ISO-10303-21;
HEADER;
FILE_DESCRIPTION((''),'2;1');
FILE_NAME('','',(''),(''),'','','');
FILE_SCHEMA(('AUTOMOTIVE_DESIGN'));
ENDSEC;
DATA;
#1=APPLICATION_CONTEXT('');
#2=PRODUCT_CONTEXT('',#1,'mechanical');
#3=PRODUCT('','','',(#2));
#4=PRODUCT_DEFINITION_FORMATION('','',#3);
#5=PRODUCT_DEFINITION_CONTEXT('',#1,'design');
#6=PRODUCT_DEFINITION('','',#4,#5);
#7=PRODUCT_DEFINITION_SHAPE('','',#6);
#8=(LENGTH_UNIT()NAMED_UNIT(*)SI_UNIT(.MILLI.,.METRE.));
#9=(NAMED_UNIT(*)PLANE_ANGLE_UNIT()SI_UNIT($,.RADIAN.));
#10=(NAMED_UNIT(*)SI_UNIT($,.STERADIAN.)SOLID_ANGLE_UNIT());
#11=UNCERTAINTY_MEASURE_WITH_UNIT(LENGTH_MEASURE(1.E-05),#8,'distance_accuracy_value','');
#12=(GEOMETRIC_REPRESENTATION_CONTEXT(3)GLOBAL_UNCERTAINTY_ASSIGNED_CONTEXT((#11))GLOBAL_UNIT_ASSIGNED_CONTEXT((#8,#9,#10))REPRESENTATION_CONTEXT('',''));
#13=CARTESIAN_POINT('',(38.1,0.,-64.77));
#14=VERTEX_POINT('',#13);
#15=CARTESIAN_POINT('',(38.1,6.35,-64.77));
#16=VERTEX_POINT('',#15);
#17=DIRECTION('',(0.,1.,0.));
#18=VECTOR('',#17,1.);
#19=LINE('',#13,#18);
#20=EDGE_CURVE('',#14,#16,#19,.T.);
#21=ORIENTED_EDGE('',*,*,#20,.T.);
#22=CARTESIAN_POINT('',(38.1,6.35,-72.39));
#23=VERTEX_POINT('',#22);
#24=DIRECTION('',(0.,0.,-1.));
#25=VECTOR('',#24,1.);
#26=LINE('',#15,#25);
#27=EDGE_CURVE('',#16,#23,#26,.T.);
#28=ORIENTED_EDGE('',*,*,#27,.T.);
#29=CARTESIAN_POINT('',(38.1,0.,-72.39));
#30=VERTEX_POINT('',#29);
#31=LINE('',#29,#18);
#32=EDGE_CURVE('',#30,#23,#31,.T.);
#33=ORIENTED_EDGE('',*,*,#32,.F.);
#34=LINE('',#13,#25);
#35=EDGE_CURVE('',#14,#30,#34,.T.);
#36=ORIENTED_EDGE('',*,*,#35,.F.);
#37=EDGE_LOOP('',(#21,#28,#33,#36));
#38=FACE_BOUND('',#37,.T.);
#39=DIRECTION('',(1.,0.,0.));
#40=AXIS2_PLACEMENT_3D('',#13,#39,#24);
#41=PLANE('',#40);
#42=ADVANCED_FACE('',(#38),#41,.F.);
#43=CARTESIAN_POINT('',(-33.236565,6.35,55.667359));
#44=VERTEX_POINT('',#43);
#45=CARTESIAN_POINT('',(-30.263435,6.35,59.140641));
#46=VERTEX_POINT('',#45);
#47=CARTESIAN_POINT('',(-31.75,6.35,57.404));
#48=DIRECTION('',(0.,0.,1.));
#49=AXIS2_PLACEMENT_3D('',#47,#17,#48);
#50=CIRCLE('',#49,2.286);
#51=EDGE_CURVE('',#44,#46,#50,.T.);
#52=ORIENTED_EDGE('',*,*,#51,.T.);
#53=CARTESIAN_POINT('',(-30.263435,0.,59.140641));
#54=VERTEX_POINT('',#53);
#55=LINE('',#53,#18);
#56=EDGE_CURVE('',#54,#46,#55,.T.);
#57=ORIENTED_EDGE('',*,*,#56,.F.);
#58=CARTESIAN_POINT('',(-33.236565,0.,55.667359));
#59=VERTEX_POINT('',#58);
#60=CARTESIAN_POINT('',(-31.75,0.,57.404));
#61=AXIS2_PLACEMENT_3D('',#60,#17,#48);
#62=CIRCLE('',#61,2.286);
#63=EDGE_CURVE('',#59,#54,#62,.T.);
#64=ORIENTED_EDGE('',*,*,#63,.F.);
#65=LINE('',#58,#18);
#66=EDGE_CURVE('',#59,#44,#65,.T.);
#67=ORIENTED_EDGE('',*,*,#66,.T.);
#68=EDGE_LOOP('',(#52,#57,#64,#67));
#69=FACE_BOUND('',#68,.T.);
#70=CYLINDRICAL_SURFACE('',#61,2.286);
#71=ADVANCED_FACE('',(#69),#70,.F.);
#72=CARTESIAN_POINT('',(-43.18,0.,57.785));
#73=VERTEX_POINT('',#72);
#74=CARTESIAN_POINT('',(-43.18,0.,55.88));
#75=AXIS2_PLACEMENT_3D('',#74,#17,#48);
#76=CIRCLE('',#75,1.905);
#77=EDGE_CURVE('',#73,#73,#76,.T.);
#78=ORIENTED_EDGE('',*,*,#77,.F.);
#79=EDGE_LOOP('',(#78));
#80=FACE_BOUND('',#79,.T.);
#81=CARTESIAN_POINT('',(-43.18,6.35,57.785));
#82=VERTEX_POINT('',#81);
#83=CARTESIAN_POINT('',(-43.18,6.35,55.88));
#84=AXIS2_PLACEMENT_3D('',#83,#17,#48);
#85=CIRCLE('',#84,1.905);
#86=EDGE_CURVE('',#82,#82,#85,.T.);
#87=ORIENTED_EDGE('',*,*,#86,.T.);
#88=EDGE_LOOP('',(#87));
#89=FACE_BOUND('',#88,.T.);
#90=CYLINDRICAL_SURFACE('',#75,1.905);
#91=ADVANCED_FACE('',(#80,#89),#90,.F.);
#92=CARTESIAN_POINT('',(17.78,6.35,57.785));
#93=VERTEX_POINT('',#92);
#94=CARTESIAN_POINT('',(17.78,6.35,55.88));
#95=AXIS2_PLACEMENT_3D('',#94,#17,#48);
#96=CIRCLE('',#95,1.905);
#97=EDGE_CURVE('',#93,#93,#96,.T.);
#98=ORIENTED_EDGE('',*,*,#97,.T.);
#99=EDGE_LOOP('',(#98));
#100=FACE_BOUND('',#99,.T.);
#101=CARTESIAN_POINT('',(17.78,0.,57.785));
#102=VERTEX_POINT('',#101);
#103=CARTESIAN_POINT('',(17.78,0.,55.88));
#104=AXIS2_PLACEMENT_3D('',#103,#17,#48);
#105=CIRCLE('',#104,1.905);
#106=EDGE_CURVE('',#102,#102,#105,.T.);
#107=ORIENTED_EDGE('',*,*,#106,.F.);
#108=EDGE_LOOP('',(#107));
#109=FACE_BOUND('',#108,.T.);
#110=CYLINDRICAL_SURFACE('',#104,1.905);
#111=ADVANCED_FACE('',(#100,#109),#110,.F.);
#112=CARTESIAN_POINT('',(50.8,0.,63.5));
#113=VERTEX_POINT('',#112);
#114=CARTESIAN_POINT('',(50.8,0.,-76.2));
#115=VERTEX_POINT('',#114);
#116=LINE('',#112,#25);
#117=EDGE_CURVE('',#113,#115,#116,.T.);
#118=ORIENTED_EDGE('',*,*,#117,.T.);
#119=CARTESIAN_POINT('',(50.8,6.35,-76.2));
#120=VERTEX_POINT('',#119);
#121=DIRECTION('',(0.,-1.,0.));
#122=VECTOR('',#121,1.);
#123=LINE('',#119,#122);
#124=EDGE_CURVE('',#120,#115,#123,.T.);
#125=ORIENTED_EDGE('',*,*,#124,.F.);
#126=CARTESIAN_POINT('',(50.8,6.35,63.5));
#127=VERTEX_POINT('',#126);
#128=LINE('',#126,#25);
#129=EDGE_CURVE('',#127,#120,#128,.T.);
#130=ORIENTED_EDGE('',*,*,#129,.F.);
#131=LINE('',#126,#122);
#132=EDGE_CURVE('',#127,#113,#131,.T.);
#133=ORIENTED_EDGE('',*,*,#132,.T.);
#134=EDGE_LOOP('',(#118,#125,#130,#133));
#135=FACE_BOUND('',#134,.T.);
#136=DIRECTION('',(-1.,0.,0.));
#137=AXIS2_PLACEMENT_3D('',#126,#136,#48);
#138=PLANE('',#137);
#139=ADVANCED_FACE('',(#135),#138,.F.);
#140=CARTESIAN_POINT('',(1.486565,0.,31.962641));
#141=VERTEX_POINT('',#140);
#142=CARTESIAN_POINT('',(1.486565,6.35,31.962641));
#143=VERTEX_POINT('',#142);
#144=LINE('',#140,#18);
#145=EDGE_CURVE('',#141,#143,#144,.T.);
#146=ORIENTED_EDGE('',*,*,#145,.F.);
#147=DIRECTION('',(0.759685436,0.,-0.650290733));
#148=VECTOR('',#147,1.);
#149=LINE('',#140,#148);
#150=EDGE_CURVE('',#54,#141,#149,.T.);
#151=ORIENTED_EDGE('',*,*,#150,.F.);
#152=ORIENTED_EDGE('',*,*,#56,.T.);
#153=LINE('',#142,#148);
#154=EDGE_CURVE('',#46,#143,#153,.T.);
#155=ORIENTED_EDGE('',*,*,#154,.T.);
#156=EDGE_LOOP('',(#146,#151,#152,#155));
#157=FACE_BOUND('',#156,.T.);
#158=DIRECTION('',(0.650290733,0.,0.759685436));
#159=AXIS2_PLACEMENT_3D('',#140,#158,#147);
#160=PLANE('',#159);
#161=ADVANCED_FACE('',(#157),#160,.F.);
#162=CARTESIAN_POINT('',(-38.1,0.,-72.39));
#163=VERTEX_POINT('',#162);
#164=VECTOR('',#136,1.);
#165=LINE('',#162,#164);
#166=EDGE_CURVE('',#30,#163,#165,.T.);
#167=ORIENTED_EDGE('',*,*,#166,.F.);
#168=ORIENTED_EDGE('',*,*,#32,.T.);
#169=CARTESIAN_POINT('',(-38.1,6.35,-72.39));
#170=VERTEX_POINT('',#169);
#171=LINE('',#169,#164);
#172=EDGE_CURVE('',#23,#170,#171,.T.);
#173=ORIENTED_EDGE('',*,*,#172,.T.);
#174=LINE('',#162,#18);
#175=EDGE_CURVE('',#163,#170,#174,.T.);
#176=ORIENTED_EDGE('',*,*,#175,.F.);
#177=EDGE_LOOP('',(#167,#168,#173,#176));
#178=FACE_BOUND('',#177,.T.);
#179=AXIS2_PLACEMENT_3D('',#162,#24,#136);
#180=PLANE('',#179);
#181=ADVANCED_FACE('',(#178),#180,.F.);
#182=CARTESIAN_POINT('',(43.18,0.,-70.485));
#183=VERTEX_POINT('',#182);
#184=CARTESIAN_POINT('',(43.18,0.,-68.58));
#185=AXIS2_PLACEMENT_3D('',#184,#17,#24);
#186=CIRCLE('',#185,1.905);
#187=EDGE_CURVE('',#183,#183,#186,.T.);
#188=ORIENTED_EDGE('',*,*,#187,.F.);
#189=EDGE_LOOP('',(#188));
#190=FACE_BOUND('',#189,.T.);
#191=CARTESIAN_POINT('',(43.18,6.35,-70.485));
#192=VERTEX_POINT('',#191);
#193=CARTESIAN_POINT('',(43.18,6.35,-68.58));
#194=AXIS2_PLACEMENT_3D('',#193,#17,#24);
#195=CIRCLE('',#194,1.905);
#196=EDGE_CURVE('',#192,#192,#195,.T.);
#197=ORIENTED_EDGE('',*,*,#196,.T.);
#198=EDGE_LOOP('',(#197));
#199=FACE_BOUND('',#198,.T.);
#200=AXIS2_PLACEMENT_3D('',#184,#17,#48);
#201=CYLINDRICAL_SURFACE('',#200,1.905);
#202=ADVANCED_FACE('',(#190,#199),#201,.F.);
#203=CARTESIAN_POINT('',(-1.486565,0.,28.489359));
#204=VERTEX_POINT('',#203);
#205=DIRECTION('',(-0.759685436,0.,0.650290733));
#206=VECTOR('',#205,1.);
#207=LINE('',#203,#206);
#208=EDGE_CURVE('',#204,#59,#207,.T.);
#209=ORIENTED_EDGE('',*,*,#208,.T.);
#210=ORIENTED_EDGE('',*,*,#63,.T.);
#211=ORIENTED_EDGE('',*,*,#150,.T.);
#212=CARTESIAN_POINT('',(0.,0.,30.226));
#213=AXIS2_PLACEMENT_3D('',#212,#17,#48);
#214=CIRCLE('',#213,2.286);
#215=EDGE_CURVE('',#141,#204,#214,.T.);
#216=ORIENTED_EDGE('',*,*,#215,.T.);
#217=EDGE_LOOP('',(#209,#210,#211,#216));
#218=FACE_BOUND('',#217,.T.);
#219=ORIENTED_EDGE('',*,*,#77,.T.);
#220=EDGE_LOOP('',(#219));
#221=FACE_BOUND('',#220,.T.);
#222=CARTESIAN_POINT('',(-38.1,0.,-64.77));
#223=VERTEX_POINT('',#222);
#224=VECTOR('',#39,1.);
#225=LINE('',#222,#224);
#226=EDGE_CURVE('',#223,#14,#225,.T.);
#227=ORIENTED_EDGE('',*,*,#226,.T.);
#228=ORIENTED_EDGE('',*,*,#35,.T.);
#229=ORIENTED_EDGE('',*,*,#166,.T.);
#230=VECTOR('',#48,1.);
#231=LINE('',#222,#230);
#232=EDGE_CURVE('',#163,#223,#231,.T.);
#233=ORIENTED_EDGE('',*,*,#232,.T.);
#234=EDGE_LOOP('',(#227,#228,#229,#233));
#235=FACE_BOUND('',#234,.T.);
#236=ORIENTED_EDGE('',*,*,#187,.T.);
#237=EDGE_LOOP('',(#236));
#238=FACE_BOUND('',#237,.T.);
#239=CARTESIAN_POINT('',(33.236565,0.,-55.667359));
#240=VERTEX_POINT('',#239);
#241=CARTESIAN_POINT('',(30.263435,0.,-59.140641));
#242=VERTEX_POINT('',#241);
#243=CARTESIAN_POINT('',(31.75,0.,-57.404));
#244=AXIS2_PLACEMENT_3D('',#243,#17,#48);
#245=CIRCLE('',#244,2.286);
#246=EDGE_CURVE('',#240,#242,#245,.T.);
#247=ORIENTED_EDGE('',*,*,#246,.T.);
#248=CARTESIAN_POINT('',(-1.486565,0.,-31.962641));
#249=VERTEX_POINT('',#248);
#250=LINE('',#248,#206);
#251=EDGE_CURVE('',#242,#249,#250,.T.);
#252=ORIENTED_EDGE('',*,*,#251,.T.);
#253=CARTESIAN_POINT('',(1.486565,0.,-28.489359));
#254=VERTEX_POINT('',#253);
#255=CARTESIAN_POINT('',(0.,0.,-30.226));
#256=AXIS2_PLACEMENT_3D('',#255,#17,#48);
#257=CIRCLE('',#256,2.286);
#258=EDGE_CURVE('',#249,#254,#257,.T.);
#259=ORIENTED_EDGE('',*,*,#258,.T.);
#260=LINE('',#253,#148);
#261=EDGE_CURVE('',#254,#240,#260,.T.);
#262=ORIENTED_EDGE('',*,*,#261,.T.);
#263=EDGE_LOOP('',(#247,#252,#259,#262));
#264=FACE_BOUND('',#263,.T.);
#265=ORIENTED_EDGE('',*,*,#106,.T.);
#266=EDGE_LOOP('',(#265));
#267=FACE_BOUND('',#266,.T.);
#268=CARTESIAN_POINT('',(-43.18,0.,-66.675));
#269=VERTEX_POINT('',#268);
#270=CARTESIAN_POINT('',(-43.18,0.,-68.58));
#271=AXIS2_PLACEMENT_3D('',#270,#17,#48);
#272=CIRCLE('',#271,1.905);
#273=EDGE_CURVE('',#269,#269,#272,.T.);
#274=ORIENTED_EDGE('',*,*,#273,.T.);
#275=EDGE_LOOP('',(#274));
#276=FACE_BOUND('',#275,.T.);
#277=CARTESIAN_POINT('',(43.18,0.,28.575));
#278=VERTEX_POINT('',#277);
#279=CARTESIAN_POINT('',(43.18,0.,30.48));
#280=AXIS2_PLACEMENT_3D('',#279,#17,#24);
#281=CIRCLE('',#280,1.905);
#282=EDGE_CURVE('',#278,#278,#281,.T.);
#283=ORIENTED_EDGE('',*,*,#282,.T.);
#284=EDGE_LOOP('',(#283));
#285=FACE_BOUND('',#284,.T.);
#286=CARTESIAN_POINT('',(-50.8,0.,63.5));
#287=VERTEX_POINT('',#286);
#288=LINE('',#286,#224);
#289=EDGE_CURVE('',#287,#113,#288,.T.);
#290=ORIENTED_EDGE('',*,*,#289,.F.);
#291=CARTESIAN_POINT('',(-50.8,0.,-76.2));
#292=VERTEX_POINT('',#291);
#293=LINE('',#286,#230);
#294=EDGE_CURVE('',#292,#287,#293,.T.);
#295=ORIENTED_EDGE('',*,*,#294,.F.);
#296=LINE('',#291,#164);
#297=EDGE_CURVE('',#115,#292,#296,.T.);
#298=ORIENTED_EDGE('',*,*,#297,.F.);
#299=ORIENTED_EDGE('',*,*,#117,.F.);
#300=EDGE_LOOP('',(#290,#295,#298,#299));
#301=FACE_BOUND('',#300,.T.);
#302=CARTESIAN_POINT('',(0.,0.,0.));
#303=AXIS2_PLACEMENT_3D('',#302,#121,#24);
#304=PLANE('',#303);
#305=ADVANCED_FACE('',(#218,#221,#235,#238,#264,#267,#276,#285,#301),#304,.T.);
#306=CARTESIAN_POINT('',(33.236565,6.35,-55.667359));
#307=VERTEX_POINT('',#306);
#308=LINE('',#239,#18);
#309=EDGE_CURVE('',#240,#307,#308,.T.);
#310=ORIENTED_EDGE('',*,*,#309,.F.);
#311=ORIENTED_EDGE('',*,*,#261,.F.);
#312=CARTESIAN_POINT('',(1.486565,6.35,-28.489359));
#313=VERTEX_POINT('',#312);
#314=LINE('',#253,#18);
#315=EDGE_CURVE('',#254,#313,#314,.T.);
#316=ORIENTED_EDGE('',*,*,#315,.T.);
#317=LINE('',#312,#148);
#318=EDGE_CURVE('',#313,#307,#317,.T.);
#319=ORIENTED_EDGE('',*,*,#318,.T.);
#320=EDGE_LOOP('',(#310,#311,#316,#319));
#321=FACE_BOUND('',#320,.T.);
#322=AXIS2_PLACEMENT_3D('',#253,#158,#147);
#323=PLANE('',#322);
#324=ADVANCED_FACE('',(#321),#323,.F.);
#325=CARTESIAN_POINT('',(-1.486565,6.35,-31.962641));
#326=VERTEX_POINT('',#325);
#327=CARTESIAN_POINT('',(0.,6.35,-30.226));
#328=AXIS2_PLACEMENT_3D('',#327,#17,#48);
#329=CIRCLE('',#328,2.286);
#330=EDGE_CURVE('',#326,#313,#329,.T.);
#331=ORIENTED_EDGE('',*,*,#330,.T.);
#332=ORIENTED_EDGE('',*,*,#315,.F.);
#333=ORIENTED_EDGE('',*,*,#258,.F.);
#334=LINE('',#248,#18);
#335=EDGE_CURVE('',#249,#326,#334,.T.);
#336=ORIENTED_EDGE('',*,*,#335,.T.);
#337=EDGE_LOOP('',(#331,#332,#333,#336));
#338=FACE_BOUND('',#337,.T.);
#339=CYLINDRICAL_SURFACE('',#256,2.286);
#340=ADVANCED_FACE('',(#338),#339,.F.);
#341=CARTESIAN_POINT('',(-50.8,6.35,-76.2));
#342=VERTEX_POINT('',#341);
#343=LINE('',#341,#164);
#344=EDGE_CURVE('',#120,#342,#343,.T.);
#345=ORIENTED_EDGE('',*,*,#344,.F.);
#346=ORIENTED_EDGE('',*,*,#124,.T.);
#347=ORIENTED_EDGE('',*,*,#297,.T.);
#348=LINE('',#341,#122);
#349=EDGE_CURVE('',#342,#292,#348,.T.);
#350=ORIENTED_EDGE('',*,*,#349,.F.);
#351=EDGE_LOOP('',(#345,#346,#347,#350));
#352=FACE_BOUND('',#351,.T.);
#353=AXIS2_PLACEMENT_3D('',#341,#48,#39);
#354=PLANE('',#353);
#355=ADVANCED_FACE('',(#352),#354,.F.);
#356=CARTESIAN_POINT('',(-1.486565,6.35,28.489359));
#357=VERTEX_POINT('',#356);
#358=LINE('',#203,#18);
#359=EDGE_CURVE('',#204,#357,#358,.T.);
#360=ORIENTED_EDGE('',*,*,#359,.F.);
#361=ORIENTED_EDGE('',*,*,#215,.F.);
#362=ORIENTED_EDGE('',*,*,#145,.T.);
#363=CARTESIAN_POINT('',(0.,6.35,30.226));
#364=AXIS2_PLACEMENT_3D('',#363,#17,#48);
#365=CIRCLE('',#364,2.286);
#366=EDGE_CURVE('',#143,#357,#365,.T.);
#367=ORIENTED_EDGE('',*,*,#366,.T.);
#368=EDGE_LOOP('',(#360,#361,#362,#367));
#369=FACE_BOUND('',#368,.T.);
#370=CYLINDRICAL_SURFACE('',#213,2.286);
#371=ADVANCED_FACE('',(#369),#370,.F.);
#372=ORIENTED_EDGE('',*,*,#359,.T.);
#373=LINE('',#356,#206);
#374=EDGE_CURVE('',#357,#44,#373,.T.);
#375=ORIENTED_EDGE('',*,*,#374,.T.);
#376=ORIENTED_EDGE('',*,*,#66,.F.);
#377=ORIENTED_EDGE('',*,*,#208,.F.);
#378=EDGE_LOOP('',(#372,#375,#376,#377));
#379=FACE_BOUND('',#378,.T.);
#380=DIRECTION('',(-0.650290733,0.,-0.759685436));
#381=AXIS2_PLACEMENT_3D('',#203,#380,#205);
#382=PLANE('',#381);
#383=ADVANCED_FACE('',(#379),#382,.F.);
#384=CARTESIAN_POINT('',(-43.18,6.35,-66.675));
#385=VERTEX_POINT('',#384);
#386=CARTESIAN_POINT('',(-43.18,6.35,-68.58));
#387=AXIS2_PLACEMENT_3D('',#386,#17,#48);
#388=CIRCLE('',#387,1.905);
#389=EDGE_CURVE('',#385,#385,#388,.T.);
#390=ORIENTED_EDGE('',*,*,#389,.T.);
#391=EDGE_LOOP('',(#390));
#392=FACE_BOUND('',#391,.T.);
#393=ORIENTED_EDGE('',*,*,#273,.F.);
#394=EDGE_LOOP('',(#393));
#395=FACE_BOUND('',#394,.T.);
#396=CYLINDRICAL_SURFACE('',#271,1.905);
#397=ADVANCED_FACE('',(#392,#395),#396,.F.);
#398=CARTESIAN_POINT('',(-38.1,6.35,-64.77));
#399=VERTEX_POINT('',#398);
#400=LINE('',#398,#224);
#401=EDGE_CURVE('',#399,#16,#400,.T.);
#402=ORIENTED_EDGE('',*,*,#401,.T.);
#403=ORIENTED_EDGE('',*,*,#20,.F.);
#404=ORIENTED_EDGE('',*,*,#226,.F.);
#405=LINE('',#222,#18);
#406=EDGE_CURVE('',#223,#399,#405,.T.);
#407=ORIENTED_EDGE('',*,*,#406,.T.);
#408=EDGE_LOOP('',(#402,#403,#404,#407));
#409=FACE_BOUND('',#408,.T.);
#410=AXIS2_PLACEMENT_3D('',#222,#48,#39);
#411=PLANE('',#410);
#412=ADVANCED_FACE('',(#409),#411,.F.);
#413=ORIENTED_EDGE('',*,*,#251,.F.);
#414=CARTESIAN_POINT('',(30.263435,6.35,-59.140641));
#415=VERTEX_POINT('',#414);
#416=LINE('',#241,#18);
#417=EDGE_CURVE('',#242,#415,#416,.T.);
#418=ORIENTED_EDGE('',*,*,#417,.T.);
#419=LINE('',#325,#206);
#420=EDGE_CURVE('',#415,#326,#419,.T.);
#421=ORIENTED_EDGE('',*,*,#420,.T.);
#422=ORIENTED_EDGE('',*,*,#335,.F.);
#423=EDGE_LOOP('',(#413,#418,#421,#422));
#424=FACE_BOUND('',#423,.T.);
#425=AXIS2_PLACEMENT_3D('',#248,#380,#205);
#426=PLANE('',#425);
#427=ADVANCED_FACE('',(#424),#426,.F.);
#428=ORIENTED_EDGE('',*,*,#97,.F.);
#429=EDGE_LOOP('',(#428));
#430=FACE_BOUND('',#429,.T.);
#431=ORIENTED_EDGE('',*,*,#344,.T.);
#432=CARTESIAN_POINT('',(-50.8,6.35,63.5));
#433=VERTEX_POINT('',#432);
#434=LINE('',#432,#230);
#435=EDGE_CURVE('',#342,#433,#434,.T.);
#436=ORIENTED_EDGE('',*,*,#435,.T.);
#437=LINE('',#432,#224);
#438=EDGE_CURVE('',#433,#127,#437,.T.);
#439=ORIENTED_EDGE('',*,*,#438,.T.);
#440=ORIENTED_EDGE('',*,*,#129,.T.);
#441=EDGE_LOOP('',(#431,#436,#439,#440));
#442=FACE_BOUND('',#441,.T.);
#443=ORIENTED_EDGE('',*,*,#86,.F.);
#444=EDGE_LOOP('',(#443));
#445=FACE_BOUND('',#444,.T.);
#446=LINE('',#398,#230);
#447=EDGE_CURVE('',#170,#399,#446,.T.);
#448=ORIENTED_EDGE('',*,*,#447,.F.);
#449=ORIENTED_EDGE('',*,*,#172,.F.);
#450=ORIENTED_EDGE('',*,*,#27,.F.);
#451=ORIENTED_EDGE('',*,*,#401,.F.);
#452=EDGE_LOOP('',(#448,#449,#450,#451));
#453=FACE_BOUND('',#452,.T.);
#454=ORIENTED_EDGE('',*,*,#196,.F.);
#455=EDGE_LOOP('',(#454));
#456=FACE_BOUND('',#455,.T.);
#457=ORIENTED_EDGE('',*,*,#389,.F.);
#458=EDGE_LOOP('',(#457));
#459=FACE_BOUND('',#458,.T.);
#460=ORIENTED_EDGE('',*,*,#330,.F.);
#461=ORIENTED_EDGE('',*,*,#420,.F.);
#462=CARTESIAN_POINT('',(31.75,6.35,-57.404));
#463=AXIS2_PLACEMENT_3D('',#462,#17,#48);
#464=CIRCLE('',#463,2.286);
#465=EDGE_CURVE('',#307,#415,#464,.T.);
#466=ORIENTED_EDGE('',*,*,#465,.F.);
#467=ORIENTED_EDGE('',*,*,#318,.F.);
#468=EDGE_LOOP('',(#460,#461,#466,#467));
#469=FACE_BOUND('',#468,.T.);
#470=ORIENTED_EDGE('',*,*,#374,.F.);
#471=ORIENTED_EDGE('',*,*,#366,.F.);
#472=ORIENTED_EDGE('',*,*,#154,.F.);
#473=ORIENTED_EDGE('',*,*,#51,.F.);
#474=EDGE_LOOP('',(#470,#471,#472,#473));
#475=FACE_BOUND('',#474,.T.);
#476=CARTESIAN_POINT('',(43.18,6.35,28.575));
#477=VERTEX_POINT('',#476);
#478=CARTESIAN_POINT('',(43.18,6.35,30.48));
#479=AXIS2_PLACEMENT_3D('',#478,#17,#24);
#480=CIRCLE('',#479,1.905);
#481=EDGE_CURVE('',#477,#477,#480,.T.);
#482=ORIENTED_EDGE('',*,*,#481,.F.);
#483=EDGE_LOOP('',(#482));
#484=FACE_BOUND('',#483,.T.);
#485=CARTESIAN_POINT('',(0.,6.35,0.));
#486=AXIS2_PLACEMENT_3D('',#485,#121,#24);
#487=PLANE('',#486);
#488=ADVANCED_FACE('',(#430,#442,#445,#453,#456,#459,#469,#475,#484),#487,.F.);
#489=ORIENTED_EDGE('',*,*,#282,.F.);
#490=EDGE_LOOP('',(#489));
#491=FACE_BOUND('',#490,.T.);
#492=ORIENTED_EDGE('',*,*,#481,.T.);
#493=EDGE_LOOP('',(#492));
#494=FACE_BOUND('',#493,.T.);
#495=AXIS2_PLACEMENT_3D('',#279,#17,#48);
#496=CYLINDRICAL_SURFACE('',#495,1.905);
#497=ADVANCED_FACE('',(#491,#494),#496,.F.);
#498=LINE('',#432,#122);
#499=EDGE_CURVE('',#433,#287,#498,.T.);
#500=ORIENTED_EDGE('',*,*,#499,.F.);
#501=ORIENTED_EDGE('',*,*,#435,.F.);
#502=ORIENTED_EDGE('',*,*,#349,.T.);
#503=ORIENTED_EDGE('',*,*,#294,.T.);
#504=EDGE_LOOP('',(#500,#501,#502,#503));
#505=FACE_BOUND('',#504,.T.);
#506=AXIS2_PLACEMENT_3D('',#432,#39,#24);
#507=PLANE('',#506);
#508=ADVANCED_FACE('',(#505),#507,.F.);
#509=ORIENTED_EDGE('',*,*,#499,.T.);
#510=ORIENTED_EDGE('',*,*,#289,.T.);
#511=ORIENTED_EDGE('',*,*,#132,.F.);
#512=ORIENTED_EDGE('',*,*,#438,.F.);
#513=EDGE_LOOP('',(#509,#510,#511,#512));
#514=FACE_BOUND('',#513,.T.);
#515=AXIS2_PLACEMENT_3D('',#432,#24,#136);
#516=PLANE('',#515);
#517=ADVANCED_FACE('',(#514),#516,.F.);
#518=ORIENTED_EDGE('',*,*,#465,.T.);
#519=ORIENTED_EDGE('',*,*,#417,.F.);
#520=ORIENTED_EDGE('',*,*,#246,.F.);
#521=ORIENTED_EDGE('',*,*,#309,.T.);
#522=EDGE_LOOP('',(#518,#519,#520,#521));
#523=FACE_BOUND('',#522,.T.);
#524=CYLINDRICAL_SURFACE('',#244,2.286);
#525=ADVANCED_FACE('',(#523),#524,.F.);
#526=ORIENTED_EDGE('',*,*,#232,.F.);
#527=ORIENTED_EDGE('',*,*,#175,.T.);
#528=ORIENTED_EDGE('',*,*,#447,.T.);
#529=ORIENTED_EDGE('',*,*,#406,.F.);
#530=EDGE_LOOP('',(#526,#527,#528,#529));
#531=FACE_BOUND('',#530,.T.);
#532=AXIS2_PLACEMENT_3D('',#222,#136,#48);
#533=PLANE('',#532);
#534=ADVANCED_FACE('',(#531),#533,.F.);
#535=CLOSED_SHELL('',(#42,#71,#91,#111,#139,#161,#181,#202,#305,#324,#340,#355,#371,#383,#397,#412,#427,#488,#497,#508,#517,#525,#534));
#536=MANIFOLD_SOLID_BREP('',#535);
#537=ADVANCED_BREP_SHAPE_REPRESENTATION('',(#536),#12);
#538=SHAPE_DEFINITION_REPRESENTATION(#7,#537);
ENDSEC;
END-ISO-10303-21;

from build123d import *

# Parameters (mm, degrees)
SKETCH1_W           = 101.6
SKETCH1_H           = 139.7
BOSS_EXTRUDE1_DEPTH = 6.35
CUT_EXTRUDE1_DEPTH  = 92.800885072
SKETCH4_W           = 76.2
SKETCH4_H           = 7.62
CUT_EXTRUDE2_DEPTH  = 92.800885072
SKETCH7_R           = 1.905
CUT_EXTRUDE3_DEPTH  = 92.800885072


with BuildPart() as part:
    # Sketch1 → Boss-Extrude1 (new body)
    with BuildSketch(Plane(origin=(0, 0, 0), x_dir=(1, 0, 0), z_dir=(0, 1, 0))):
        with Locations((0, 6.35)):
            Rectangle(SKETCH1_W, SKETCH1_H)
    extrude(amount=BOSS_EXTRUDE1_DEPTH)

    # Sketch3 → Cut-Extrude1 (cut, through all)
    with BuildSketch(Plane(origin=(0, 6.35, 0), x_dir=(1, 0, 0), z_dir=(0, 1, 0))):
        with BuildLine():
            Line((-1.486564617, 31.962640907), (30.263435383, 59.140640907))
            ThreePointArc((30.263435383, 59.140640907), (33.486640907, 58.890564617), (33.236564617, 55.667359093))
            Line((33.236564617, 55.667359093), (1.486564617, 28.489359093))
            ThreePointArc((1.486564617, 28.489359093), (-1.736640907, 28.739435383), (-1.486564617, 31.962640907))
        make_face()
        with BuildLine():
            Line((1.486564617, -31.962640907), (-30.263435383, -59.140640907))
            ThreePointArc((-30.263435383, -59.140640907), (-33.486640907, -58.890564617), (-33.236564617, -55.667359093))
            Line((-33.236564617, -55.667359093), (-1.486564617, -28.489359093))
            ThreePointArc((-1.486564617, -28.489359093), (1.736640907, -28.739435383), (1.486564617, -31.962640907))
        make_face()
    extrude(amount=-CUT_EXTRUDE1_DEPTH, mode=Mode.SUBTRACT)

    # Sketch4 → Cut-Extrude2 (cut, through all)
    with BuildSketch(Plane(origin=(0, 6.35, 0), x_dir=(1, 0, 0), z_dir=(0, 1, 0))):
        with Locations((0, 68.58)):
            Rectangle(SKETCH4_W, SKETCH4_H)
    extrude(amount=-CUT_EXTRUDE2_DEPTH, mode=Mode.SUBTRACT)

    # Sketch7 → Cut-Extrude3 (cut, through all)
    with BuildSketch(Plane(origin=(0, 6.35, 0), x_dir=(1, 0, 0), z_dir=(0, 1, 0))):
        with Locations(Location((-43.18, 68.58, 0), (0, 0, 270))):
            Circle(SKETCH7_R)
        with Locations(Location((43.18, 68.58, 0), (0, 0, 90))):
            Circle(SKETCH7_R)
        with Locations(Location((-43.18, -55.88, 0), (0, 0, 270))):
            Circle(SKETCH7_R)
        with Locations(Location((17.78, -55.88, 0), (0, 0, 270))):
            Circle(SKETCH7_R)
        with Locations(Location((43.18, -30.48, 0), (0, 0, 90))):
            Circle(SKETCH7_R)
    extrude(amount=-CUT_EXTRUDE3_DEPTH, mode=Mode.SUBTRACT)


solid = part.part
